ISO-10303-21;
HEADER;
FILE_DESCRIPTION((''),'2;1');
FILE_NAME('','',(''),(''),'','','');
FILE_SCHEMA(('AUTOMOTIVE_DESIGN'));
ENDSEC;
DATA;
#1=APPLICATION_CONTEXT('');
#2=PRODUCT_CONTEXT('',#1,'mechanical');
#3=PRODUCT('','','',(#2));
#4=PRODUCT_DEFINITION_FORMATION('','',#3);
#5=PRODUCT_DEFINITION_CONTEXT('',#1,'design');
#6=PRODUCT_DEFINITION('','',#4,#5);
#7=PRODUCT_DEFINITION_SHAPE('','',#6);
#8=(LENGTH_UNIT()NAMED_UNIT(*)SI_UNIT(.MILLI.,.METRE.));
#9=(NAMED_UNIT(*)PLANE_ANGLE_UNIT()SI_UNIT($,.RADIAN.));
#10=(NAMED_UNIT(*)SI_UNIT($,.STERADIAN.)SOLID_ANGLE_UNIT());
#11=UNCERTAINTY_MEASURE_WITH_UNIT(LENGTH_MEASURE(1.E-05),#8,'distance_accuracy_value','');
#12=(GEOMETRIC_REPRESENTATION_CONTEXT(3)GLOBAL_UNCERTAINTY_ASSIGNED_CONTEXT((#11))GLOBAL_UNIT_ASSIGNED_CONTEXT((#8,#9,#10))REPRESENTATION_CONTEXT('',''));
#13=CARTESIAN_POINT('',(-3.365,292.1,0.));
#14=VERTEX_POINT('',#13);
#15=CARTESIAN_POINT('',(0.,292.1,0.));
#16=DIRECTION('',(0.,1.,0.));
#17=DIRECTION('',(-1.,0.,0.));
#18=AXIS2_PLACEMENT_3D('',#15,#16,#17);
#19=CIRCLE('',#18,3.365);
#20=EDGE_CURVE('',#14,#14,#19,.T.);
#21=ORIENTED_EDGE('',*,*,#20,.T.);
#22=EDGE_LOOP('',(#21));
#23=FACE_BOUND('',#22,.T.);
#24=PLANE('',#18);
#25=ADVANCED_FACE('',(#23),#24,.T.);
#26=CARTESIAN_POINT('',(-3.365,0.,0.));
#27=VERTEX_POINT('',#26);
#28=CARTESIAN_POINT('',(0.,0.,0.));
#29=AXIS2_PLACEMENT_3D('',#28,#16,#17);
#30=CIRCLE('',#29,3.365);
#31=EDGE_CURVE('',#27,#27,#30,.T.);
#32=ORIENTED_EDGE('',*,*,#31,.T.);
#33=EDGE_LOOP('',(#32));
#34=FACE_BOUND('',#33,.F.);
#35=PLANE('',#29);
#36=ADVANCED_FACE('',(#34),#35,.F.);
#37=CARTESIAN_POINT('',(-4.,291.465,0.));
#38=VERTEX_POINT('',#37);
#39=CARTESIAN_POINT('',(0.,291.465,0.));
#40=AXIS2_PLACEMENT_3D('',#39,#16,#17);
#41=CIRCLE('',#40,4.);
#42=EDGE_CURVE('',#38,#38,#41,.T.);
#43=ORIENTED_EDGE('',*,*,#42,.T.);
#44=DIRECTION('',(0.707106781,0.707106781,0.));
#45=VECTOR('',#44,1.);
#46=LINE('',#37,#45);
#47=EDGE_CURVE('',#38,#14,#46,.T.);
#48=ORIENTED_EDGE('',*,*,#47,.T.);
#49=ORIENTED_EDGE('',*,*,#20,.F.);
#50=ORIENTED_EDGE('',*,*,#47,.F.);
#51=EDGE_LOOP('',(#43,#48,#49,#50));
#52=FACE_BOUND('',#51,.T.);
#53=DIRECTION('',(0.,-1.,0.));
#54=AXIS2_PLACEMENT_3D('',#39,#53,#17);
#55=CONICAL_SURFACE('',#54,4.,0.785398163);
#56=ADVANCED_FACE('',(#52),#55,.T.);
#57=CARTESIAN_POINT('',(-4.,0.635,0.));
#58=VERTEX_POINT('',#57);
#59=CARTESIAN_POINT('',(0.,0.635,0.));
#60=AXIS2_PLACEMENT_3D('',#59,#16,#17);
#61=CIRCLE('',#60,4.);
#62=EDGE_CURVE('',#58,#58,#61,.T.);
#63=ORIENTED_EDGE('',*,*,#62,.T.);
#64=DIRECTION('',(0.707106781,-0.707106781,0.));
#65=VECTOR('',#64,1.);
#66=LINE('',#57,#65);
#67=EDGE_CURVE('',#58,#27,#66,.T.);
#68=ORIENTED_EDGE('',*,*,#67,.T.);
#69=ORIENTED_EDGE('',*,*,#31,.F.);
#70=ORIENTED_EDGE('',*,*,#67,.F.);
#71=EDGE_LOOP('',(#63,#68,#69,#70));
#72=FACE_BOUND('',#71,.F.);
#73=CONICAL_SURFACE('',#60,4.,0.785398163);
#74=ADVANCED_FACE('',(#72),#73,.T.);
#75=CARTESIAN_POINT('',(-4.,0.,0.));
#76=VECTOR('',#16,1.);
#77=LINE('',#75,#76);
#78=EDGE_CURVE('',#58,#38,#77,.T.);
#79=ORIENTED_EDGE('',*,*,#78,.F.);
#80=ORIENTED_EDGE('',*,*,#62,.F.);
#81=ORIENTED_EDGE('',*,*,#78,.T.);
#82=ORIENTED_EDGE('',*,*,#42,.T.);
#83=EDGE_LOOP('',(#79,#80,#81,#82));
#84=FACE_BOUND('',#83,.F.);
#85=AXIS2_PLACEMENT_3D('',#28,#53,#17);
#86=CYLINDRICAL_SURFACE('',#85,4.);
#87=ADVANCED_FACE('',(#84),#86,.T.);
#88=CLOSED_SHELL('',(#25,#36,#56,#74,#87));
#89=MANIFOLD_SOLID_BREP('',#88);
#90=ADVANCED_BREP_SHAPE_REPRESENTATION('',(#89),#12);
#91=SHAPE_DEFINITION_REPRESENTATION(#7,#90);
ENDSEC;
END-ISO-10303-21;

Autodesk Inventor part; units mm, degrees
ref_plane "YZ Plane" through (0, 0, 0) normal (1, 0, 0) x (0, 1, 0)
ref_plane "XZ Plane" through (0, 0, 0) normal (0, 1, 0) x (-1, 0, 0)
ref_plane "XY Plane" through (0, 0, 0) normal (0, 0, 1) x (1, 0, 0)
sketch "Sketch1" plane through (0, 0, 0) normal (0, 1, 0) x (-1, 0, 0)
  circle A0 centre (0, 0) radius 4
  dimension "d0" = 8
extrude "Extrusion1" add sketch "Sketch1" along normal blind 292.1
chamfer "Chamfer1" distance 0.635 angle 45 2 edges at (4, 292.1, 0) (4, 0, 0)
properties part number "8mm smooth rod"
